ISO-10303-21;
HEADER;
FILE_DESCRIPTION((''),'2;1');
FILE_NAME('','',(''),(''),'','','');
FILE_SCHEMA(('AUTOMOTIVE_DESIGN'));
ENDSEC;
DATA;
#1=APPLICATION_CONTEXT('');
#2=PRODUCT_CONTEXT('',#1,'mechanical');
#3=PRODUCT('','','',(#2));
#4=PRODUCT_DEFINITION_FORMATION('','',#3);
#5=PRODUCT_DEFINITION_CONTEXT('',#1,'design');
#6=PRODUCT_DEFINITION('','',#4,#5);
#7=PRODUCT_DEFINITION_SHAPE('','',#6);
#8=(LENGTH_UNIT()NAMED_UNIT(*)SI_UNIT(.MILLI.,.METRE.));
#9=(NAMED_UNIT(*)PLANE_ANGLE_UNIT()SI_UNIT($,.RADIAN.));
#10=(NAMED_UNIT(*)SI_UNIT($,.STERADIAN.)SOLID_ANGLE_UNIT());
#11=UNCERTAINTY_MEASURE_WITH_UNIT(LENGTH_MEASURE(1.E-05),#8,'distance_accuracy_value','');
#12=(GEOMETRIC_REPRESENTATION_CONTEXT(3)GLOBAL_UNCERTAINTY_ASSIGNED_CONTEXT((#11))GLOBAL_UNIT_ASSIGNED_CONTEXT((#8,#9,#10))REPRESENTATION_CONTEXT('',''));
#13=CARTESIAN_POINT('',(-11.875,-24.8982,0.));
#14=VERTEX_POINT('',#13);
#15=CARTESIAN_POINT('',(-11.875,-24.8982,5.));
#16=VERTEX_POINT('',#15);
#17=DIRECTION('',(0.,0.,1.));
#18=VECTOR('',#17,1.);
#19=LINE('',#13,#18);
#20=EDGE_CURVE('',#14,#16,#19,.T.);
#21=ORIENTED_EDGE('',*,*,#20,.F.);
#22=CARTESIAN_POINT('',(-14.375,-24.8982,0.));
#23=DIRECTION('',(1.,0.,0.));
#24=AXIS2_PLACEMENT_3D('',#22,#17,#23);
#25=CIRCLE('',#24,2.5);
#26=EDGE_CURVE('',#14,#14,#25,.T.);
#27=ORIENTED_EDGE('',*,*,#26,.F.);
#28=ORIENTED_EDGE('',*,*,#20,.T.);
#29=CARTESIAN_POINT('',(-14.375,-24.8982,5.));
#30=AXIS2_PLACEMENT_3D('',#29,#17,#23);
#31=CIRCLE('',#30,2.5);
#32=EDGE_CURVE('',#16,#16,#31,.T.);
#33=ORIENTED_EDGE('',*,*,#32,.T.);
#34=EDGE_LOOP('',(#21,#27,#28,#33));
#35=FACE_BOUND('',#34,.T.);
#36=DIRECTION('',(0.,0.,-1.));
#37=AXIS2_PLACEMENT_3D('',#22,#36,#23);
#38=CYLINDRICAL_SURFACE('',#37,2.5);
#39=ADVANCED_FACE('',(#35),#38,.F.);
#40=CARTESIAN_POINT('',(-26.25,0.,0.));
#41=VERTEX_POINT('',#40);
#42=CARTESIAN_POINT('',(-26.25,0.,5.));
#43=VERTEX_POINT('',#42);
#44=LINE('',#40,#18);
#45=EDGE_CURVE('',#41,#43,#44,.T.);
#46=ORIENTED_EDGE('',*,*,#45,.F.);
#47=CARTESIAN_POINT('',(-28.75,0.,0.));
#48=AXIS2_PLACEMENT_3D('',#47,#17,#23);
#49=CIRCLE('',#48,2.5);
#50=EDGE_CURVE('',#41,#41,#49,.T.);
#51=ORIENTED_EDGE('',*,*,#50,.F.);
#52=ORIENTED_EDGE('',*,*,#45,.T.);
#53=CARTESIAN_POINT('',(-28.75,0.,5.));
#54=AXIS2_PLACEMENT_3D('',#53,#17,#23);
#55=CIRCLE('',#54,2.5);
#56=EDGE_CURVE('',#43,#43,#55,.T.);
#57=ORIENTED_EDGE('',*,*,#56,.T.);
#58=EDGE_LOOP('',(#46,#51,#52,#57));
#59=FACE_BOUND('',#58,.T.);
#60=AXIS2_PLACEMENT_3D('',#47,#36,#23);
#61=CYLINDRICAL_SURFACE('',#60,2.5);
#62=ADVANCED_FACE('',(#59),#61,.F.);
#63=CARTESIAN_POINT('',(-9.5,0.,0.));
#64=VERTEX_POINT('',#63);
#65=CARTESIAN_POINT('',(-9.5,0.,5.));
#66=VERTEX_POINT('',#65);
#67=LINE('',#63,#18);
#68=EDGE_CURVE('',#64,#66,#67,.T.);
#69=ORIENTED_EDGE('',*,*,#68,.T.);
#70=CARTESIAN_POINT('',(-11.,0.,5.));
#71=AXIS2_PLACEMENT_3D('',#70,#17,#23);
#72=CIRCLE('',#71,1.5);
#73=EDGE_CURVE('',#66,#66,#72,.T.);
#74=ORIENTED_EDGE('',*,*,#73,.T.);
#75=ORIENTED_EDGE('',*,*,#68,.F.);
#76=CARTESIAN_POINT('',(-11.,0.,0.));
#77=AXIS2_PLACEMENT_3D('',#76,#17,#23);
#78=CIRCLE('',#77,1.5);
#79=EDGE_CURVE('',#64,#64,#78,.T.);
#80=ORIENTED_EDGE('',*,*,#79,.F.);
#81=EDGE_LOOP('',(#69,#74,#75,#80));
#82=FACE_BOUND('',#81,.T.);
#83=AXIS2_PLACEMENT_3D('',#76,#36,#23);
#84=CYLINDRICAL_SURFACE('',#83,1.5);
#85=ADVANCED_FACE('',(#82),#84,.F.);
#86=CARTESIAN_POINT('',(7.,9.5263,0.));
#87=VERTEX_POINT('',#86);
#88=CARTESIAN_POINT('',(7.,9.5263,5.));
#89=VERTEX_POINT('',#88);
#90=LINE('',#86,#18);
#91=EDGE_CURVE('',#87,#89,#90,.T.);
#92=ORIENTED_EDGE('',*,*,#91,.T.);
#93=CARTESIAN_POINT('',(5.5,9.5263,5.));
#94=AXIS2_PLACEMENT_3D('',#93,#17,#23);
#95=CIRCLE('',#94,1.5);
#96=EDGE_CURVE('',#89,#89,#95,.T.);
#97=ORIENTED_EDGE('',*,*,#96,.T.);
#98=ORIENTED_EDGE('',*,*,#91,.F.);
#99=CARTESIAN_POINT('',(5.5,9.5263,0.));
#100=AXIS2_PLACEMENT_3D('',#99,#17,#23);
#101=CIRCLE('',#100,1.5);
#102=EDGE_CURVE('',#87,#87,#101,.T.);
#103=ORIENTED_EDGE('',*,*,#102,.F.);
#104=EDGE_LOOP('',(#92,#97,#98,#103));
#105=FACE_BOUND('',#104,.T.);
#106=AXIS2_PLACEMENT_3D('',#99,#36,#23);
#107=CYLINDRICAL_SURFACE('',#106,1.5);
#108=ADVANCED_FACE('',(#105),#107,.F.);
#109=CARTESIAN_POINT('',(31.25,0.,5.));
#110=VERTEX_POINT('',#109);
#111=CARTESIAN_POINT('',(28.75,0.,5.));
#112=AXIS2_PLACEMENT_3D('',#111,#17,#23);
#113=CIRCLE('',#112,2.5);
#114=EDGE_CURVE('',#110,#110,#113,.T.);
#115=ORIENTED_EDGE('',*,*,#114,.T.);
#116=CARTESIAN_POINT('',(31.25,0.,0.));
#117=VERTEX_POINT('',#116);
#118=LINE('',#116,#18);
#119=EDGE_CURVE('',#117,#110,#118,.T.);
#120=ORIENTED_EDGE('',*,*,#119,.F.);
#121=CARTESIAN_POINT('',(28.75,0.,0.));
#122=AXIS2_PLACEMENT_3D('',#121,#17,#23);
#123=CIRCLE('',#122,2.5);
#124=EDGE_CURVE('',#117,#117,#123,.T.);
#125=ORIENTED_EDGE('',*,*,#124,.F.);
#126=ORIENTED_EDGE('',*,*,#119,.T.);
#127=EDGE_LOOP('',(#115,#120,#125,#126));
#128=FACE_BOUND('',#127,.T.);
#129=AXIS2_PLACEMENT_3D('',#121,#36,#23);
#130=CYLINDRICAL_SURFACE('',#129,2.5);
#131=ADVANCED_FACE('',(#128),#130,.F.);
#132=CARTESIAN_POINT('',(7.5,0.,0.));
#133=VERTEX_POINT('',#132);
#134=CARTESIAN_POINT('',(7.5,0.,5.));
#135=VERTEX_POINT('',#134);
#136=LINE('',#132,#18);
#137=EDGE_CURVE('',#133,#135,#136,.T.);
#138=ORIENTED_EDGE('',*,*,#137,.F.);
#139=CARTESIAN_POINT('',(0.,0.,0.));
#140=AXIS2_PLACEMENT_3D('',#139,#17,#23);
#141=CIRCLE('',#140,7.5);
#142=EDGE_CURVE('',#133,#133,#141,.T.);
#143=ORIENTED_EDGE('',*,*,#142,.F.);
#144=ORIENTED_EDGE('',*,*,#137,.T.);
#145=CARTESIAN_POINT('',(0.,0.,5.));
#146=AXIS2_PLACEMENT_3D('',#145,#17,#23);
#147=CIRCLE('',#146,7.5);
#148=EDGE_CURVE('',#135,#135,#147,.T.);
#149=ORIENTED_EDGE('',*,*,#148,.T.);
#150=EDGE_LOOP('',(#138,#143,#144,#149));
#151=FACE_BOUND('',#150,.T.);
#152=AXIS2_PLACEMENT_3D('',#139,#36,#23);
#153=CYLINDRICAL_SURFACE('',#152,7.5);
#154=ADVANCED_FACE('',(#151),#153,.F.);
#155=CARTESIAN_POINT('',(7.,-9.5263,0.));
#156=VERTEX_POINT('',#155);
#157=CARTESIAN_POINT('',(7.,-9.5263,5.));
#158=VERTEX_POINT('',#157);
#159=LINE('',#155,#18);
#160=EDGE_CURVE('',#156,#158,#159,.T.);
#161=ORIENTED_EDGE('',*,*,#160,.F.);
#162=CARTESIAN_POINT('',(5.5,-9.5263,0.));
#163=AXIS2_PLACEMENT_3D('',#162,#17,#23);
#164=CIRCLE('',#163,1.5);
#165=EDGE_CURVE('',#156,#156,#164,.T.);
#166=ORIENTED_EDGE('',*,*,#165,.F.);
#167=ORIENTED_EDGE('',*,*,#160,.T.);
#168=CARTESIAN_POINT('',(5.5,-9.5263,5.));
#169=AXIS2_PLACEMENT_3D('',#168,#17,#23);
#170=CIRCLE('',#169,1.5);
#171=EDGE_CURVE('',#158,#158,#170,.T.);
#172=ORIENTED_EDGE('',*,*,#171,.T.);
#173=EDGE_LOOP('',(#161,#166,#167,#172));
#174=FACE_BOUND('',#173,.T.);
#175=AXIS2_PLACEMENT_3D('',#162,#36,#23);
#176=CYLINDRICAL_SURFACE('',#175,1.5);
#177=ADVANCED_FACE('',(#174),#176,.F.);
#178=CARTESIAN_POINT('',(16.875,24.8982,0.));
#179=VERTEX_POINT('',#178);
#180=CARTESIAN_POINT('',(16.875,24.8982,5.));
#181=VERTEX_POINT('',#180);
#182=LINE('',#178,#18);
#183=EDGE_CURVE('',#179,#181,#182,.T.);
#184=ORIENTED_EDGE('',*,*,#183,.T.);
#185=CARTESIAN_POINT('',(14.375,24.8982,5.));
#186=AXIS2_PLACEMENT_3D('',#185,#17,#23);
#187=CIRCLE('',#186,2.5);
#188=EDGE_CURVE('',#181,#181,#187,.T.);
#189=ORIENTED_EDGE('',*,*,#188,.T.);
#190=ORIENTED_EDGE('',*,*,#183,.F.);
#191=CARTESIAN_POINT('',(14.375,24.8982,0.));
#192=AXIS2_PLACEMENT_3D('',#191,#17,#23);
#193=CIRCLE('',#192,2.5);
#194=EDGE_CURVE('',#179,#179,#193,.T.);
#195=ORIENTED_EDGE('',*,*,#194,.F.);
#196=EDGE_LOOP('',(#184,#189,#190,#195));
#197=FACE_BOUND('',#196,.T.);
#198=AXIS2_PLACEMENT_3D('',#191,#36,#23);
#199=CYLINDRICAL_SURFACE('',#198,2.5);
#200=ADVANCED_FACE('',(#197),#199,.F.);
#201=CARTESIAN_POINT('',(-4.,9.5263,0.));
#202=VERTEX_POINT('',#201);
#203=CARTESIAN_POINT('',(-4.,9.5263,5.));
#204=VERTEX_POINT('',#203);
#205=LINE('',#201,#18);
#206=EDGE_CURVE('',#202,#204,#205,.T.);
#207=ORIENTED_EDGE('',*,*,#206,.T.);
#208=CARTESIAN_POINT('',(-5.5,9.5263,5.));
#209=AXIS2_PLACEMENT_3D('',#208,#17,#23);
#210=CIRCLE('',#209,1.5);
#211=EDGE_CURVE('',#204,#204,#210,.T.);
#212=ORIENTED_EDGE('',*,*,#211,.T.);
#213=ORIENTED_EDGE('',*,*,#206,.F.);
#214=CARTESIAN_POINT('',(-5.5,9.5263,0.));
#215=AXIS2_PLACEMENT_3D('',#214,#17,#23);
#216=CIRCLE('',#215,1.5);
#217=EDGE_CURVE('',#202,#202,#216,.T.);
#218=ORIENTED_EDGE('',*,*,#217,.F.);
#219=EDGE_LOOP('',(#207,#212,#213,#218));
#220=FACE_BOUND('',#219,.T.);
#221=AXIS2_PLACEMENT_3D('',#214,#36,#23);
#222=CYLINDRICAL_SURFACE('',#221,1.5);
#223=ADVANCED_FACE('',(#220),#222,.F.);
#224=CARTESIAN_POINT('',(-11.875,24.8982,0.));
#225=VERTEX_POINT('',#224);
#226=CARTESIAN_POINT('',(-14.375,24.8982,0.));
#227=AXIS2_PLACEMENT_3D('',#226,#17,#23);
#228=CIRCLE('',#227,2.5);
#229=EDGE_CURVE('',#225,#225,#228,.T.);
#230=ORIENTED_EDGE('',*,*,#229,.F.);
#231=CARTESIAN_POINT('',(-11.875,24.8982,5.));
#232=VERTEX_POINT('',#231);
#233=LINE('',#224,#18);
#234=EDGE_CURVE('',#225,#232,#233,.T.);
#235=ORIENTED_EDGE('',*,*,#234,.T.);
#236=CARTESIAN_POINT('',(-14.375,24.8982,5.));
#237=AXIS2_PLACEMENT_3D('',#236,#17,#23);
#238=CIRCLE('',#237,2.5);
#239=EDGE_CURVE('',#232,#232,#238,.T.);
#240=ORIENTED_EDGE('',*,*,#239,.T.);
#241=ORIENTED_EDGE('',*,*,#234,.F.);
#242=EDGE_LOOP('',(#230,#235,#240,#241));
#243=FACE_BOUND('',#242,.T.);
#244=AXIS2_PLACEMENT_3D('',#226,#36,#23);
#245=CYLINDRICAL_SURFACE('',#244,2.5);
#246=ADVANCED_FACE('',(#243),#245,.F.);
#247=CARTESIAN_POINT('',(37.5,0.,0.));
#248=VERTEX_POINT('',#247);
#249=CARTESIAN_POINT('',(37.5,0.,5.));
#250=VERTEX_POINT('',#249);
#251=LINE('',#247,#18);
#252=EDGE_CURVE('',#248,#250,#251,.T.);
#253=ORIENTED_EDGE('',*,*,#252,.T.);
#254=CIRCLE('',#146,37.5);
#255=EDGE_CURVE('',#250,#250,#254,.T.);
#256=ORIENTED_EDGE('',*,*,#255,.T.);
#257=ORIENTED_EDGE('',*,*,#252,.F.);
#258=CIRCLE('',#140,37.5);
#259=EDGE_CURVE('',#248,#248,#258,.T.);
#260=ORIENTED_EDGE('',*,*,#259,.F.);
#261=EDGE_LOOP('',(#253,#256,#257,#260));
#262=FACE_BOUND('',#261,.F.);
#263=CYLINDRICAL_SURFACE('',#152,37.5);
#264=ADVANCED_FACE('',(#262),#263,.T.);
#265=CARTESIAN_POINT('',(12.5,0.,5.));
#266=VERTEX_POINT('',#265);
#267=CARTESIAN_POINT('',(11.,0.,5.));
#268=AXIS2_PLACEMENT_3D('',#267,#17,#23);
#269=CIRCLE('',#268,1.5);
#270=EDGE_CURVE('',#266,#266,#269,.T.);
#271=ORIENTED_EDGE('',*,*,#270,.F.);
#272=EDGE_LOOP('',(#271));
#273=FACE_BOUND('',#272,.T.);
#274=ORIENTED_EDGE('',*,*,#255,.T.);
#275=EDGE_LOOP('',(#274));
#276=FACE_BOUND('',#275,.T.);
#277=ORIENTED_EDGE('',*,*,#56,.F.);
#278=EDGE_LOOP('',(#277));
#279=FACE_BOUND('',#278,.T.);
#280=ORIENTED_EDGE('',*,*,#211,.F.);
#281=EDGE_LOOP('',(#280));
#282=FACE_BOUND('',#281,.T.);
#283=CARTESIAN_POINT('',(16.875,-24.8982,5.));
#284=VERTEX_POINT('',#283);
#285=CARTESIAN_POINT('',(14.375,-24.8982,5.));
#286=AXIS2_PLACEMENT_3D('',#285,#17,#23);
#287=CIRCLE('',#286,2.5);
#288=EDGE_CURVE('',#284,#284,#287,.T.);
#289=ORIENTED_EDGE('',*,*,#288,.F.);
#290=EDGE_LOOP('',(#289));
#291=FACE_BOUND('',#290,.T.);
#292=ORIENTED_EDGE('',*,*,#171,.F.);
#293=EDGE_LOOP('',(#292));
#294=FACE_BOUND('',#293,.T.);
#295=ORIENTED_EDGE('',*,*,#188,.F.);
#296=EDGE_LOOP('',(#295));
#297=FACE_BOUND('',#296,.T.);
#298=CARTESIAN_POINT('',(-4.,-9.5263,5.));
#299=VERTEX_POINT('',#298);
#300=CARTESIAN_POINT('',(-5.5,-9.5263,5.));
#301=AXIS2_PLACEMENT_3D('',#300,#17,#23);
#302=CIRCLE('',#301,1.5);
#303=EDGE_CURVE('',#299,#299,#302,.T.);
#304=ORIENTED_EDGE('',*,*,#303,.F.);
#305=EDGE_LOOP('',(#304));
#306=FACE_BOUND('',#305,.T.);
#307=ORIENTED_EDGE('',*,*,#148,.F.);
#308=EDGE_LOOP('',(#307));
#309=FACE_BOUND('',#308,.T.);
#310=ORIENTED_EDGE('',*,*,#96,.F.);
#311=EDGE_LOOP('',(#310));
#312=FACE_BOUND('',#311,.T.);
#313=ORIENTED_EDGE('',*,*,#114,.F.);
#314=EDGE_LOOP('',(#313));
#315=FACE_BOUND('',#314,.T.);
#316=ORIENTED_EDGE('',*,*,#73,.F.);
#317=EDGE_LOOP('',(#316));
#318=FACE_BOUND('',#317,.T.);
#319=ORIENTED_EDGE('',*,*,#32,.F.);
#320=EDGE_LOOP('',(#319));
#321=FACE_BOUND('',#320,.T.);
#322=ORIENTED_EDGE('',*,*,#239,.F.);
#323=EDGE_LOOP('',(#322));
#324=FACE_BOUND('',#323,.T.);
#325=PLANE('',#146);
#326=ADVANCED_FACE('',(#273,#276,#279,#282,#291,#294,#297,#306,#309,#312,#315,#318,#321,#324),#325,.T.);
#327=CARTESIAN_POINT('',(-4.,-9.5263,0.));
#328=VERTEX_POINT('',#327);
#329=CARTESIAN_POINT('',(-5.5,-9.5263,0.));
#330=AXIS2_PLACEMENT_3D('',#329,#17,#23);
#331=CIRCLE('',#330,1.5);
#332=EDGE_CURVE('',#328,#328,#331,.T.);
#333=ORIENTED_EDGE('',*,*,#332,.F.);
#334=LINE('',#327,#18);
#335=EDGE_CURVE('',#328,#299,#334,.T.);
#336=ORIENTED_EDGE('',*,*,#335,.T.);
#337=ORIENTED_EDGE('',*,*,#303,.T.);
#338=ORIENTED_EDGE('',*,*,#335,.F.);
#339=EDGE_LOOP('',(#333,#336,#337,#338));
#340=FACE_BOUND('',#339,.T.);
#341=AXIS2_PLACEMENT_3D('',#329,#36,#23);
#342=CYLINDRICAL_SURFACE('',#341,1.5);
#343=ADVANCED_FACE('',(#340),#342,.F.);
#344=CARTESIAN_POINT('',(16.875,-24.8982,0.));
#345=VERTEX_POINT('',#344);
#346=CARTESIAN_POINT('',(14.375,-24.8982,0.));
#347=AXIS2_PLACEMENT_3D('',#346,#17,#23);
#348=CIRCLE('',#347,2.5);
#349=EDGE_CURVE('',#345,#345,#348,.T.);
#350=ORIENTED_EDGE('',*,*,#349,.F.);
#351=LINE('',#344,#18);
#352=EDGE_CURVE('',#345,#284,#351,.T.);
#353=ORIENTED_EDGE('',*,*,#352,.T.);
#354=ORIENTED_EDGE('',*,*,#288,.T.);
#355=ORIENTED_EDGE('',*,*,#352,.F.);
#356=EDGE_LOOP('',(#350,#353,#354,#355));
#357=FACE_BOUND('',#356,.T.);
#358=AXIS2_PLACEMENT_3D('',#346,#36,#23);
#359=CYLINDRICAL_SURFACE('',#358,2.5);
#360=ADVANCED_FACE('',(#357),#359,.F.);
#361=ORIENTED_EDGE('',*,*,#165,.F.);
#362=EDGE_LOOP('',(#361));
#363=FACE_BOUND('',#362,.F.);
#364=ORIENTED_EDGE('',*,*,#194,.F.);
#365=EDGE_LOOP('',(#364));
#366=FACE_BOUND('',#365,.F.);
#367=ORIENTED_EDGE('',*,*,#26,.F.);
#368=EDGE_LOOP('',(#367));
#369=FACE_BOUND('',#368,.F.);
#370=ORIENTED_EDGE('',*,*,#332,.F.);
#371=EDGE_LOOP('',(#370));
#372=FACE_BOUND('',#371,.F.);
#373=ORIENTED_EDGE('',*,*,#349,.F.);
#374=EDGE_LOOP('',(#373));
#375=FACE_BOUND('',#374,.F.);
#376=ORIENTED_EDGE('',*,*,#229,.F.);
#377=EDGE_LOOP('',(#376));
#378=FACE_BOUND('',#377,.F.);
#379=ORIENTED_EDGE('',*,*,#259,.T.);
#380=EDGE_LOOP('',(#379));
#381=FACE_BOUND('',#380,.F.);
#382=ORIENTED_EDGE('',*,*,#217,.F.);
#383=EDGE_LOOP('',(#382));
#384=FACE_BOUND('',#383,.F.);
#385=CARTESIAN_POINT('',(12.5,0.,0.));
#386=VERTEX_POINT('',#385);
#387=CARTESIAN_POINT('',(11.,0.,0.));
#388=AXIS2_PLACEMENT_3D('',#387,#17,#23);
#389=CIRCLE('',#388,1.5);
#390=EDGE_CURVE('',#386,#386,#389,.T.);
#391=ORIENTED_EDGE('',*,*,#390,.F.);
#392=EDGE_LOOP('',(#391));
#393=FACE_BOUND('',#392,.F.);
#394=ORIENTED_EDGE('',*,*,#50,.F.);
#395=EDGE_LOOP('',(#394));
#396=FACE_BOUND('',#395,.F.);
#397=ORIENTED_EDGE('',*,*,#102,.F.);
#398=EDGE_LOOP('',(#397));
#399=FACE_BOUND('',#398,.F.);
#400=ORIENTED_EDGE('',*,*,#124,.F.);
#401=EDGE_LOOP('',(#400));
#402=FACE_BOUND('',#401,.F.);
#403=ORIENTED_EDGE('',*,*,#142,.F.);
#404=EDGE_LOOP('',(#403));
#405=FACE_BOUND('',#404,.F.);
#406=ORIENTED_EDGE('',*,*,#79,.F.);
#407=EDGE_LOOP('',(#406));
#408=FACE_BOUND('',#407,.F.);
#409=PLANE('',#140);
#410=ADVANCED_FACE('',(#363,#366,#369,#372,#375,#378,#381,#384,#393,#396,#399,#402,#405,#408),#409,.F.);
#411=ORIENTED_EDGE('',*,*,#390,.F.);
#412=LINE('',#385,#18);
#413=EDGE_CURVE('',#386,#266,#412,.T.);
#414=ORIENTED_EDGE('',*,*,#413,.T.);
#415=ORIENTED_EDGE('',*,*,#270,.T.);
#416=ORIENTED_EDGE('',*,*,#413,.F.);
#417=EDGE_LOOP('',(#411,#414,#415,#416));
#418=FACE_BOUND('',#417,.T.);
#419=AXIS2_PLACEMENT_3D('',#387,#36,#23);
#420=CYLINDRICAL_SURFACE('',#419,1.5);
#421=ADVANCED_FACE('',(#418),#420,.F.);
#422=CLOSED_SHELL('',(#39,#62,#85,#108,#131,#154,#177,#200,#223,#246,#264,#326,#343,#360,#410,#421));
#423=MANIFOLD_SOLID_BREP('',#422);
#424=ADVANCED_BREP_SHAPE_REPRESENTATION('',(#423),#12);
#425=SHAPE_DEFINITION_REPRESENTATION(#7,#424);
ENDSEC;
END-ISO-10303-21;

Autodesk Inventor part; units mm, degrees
ref_plane "YZ Plane" through (0, 0, 0) normal (1, 0, 0) x (0, 1, 0)
ref_plane "XZ Plane" through (0, 0, 0) normal (0, 1, 0) x (-1, 0, 0)
ref_plane "XY Plane" through (0, 0, 0) normal (0, 0, 1) x (1, 0, 0)
sketch "Sketch1" plane through (0, 0, 0) normal (0, 0, 1) x (1, 0, 0)
  circle A0 centre (0, 0) radius 37.5
  circle A1 centre (0, 0) radius 7.5
  circle A2 centre (28.75, 0) radius 2.5
  circle A3 centre (11, 0) radius 1.5
  circle A4 centre (14.375, 24.8982) radius 2.5
  circle A5 centre (5.5, 9.5263) radius 1.5
  circle A6 centre (-14.375, 24.8982) radius 2.5
  circle A7 centre (-5.5, 9.5263) radius 1.5
  circle A8 centre (-28.75, 0) radius 2.5
  circle A9 centre (-11, 0) radius 1.5
  circle A10 centre (-14.375, -24.8982) radius 2.5
  circle A11 centre (-5.5, -9.5263) radius 1.5
  circle A12 centre (14.375, -24.8982) radius 2.5
  circle A13 centre (5.5, -9.5263) radius 1.5
  dimension "d0" = 75
  dimension "d1" = 15
  dimension "d2" = 5
  dimension "d3" = 3
  dimension "d4" = 28.75
  dimension "d5" = 11
  dimension "d8" = 360
extrude "Extrusion1" add sketch "Sketch1" along normal blind 5
properties part number "TA04" material "ABS Plastic"
